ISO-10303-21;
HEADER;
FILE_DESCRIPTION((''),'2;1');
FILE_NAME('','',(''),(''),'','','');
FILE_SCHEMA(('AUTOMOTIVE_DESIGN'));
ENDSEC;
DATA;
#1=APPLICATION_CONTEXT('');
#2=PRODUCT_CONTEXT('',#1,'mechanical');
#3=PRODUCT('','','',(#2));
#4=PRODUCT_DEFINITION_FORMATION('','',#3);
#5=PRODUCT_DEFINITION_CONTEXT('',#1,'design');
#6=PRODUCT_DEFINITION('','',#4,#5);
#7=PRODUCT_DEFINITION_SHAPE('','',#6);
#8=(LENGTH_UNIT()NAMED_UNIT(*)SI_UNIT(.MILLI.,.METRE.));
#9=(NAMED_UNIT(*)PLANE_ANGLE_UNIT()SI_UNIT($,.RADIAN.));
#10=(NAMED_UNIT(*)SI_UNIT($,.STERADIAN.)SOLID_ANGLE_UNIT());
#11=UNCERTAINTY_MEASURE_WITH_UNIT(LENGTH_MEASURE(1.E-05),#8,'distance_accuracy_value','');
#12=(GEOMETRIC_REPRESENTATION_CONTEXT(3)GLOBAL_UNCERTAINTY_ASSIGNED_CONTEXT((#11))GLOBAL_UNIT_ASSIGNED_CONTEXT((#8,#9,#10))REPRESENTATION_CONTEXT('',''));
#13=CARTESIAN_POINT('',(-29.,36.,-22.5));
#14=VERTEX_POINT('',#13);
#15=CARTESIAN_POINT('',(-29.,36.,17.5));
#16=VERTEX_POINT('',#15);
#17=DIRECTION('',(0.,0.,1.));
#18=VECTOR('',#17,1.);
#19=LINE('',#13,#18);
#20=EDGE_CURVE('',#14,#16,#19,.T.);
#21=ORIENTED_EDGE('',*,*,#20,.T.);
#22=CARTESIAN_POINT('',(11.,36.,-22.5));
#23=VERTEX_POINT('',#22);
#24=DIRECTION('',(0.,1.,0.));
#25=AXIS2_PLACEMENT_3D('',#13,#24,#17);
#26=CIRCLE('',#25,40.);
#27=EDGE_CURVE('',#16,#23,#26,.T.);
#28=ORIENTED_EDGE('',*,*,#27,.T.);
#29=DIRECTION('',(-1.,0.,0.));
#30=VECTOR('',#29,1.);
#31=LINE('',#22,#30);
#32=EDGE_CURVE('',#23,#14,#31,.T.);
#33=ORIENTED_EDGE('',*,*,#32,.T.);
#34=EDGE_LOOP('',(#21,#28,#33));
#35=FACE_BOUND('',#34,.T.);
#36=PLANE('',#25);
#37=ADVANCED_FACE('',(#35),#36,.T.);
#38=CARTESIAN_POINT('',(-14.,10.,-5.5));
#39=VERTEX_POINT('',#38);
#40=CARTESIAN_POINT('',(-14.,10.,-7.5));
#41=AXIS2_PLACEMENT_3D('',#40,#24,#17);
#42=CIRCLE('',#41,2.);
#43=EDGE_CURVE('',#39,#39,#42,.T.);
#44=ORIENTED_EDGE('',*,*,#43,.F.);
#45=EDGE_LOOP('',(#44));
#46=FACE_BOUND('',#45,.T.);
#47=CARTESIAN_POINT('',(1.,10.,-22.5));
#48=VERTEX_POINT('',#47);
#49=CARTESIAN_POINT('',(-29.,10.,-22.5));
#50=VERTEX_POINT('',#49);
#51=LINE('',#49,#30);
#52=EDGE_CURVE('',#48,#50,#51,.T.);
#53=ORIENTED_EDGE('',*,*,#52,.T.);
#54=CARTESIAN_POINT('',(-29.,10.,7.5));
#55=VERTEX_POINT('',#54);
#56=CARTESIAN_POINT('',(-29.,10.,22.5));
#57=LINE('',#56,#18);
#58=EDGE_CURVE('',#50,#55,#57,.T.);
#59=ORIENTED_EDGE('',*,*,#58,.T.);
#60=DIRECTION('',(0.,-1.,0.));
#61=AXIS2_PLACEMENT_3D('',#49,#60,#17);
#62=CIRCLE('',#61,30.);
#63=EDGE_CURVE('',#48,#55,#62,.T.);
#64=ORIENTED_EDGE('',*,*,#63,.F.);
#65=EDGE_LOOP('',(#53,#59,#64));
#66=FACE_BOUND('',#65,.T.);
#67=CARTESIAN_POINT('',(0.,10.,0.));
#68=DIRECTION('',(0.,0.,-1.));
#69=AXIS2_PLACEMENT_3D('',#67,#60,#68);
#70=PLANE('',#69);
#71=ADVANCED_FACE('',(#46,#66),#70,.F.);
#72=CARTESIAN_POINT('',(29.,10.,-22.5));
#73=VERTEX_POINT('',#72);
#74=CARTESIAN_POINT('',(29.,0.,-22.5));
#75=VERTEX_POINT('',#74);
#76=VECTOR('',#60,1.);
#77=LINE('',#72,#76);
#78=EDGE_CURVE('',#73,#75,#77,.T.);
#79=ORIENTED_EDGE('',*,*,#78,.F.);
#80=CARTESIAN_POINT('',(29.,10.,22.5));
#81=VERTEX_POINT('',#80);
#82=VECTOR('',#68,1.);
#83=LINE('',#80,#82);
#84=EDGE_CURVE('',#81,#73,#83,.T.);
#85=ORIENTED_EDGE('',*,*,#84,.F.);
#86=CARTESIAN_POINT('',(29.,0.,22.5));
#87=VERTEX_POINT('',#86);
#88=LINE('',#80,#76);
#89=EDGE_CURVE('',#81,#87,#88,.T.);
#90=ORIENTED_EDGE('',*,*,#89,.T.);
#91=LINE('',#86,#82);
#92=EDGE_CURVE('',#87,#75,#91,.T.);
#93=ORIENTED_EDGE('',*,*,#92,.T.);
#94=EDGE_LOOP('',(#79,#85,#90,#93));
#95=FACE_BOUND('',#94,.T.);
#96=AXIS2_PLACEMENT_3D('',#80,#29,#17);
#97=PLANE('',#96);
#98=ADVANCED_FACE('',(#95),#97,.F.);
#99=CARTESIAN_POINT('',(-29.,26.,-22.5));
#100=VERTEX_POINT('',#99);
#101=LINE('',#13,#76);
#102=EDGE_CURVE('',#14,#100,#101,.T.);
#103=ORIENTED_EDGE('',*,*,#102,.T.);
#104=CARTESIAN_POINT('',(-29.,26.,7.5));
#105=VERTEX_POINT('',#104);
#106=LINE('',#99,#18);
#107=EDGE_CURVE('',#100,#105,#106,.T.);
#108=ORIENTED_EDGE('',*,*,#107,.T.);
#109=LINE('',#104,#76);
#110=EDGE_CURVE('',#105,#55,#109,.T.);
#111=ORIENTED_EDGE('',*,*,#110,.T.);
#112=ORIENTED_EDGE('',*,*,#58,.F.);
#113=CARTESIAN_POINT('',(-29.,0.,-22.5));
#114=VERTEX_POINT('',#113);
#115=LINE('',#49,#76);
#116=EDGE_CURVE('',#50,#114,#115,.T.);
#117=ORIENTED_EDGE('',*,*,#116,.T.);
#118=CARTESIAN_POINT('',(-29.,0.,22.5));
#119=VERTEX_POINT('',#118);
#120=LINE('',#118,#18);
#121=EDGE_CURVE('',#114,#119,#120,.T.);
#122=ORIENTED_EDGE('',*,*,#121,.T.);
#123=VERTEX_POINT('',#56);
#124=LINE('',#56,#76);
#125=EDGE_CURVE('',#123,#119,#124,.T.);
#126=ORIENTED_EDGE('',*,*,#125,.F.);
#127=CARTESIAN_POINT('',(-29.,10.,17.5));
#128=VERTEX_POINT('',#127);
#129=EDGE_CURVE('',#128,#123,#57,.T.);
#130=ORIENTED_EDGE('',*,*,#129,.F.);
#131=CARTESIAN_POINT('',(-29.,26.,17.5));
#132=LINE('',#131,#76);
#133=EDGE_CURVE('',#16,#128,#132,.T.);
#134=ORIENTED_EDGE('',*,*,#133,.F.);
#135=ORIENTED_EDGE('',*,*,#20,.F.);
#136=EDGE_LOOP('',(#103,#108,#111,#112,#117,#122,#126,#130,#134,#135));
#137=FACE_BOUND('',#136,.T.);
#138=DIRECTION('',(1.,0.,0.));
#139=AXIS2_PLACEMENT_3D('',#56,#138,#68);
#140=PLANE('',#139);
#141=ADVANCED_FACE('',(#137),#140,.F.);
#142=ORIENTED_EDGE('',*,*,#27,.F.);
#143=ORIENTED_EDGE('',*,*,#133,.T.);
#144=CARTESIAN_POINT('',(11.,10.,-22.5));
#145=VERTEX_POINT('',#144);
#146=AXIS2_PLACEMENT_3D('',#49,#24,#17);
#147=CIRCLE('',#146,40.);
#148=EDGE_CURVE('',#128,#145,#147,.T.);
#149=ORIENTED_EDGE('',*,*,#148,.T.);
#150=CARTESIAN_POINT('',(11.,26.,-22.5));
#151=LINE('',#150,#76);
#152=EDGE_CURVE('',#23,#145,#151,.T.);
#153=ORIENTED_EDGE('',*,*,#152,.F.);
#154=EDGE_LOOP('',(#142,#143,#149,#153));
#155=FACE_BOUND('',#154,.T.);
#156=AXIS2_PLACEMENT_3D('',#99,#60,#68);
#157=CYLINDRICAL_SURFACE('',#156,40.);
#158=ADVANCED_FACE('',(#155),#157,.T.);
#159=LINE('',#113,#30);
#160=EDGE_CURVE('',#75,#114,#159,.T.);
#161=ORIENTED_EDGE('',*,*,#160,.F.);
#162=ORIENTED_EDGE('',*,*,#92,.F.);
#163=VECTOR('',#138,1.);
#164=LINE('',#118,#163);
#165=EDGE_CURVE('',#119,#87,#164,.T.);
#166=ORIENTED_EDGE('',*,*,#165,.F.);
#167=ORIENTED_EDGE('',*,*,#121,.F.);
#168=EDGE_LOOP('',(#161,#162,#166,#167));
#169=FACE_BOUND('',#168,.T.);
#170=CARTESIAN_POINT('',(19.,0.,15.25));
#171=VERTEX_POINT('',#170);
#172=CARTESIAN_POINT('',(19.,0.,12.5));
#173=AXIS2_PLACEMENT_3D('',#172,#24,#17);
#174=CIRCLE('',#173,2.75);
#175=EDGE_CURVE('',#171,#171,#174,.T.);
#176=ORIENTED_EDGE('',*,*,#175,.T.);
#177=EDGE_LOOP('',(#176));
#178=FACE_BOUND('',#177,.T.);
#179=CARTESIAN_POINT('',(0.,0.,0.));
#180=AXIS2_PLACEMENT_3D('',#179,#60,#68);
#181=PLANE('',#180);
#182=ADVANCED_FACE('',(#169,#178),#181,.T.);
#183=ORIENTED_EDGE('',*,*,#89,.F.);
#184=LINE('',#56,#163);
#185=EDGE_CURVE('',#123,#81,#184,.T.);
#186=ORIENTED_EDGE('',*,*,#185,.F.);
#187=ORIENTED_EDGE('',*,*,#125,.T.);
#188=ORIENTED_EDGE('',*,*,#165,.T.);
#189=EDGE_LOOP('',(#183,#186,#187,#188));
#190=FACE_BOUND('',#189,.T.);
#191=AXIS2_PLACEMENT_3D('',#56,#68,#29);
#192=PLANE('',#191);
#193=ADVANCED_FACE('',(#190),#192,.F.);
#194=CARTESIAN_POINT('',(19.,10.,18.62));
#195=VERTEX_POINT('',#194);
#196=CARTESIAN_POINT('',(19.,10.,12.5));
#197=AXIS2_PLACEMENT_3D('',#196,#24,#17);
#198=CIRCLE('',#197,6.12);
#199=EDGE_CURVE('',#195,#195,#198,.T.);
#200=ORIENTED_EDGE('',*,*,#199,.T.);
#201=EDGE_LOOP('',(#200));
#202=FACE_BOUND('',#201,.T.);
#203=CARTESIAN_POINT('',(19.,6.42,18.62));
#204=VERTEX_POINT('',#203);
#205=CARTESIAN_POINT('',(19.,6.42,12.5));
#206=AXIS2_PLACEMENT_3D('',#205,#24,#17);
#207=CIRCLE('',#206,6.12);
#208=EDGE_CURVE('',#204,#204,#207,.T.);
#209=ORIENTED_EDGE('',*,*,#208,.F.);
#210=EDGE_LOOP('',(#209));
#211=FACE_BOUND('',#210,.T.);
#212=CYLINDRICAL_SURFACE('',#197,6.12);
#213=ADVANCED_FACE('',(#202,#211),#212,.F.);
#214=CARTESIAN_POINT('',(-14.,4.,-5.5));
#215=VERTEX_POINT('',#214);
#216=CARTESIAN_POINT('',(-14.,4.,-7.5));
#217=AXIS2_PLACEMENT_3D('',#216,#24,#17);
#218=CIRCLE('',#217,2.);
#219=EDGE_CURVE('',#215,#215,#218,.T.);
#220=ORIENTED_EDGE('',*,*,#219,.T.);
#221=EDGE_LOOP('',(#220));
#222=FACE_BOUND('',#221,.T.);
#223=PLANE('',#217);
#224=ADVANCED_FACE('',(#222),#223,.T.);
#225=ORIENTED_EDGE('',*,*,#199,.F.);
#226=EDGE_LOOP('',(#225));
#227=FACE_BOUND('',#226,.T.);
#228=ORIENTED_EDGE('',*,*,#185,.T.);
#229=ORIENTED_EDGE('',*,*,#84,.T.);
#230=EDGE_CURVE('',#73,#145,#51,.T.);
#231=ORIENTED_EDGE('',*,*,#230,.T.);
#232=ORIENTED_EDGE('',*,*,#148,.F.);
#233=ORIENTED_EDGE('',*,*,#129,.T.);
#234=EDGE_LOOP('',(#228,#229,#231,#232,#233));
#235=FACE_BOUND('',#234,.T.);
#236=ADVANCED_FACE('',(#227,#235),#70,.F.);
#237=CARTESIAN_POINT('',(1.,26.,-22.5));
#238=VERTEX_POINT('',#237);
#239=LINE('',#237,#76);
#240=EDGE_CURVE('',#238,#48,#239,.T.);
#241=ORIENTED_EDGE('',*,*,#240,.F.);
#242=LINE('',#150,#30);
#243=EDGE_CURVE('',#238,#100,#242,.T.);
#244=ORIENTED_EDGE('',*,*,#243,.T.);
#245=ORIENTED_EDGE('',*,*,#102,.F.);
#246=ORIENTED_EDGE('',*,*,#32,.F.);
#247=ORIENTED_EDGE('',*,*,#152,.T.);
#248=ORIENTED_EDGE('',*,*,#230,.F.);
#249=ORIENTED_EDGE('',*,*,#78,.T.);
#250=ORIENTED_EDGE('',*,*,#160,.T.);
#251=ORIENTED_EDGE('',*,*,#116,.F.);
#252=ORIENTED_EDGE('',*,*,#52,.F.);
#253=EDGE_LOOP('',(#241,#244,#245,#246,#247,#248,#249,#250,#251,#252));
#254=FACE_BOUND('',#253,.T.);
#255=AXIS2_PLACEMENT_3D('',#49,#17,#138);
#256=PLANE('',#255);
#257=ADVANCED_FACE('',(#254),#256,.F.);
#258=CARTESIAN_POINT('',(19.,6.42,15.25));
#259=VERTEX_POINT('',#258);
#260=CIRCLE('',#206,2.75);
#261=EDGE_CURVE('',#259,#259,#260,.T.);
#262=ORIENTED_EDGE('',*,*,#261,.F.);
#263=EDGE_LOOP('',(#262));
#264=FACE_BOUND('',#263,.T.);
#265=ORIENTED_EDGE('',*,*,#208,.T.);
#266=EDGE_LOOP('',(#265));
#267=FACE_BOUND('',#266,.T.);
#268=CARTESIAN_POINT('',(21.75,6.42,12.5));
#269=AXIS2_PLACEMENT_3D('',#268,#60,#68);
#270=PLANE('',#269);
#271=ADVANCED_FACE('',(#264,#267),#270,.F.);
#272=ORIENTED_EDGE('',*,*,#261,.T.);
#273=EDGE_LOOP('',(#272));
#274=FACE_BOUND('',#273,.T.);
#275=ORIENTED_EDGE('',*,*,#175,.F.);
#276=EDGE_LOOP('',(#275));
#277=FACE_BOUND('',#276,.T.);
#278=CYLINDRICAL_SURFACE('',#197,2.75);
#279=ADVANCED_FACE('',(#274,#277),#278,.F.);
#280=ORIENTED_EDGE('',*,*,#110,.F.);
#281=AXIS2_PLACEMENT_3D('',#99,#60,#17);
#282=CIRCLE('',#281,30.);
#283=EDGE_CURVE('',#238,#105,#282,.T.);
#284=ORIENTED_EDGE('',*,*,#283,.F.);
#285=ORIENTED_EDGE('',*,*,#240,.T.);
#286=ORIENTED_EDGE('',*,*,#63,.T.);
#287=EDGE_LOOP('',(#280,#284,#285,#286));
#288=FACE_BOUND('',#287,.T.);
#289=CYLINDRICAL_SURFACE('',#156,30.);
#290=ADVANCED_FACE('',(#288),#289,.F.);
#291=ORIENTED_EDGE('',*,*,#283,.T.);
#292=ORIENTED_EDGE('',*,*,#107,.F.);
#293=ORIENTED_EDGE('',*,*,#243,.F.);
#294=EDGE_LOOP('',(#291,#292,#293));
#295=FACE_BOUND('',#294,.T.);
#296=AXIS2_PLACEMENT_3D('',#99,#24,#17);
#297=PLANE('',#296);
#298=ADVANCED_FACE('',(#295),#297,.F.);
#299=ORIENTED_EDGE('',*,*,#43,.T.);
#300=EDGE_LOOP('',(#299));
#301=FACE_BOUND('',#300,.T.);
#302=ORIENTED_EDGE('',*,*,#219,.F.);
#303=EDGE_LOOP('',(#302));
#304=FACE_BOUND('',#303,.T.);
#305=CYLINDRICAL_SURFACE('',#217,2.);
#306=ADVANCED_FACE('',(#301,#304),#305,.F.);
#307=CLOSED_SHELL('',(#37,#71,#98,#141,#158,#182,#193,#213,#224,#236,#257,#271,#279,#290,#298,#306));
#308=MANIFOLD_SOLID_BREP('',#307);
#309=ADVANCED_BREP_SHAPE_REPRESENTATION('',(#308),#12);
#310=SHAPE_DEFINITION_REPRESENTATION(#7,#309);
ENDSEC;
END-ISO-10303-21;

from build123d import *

# Parameters (mm, degrees)
SKETCH3_W                               = 58
SKETCH3_H                               = 45
BOSS_EXTRUDE1_DEPTH                     = 10
CBORE_FOR_M5_HEX_HEAD_BOLT1_D           = 5.5
CBORE_FOR_M5_HEX_HEAD_BOLT1_CBORE_D     = 12.24
CBORE_FOR_M5_HEX_HEAD_BOLT1_CBORE_DEPTH = 3.58
BOSS_EXTRUDE3_DEPTH                     = 16
BOSS_EXTRUDE4_DEPTH                     = 10
SKETCH10_R                              = 2
CUT_EXTRUDE2_DEPTH                      = 6


with BuildPart() as part:
    # Sketch3 → Boss-Extrude1 (new body)
    with BuildSketch(Plane(origin=(0, 0, 0), x_dir=(1, 0, 0), z_dir=(0, 1, 0))):
        Rectangle(SKETCH3_W, SKETCH3_H)
    extrude(amount=BOSS_EXTRUDE1_DEPTH)

    # CBORE for M5 Hex Head Bolt1 (through all)
    with Locations(Plane(origin=(0, 10, 0), x_dir=(1, 0, 0), z_dir=(0, 1, 0))):
        with Locations((19, -12.5)):
            CounterBoreHole(CBORE_FOR_M5_HEX_HEAD_BOLT1_D / 2, CBORE_FOR_M5_HEX_HEAD_BOLT1_CBORE_D / 2, CBORE_FOR_M5_HEX_HEAD_BOLT1_CBORE_DEPTH)

    # Sketch8 → Boss-Extrude3 (add)
    with BuildSketch(Plane(origin=(0, 10, 0), x_dir=(1, 0, 0), z_dir=(0, 1, 0))):
        with BuildLine():
            Line((11, 22.5), (1, 22.5))
            ThreePointArc((1, 22.5), (-7.786796564, 1.286796564), (-29, -7.5))
            Line((-29, -7.5), (-29, -17.5))
            ThreePointArc((-29, -17.5), (-0.715728753, -5.784271247), (11, 22.5))
        make_face()
    extrude(amount=BOSS_EXTRUDE3_DEPTH)

    # Sketch9 → Boss-Extrude4 (add)
    with BuildSketch(Plane(origin=(0, 26, 0), x_dir=(1, 0, 0), z_dir=(0, 1, 0))):
        with BuildLine():
            Line((11, 22.5), (-29, 22.5))
            Line((-29, 22.5), (-29, -17.5))
            ThreePointArc((-29, -17.5), (-0.715728753, -5.784271247), (11, 22.5))
        make_face()
    extrude(amount=BOSS_EXTRUDE4_DEPTH)

    # Sketch10 → Cut-Extrude2 (cut)
    with BuildSketch(Plane(origin=(0, 10, 0), x_dir=(1, 0, 0), z_dir=(0, 1, 0))):
        with Locations(Location((-14, 7.5, 0), (0, 0, 270))):
            Circle(SKETCH10_R)
    extrude(amount=-CUT_EXTRUDE2_DEPTH, mode=Mode.SUBTRACT)


solid = part.part
